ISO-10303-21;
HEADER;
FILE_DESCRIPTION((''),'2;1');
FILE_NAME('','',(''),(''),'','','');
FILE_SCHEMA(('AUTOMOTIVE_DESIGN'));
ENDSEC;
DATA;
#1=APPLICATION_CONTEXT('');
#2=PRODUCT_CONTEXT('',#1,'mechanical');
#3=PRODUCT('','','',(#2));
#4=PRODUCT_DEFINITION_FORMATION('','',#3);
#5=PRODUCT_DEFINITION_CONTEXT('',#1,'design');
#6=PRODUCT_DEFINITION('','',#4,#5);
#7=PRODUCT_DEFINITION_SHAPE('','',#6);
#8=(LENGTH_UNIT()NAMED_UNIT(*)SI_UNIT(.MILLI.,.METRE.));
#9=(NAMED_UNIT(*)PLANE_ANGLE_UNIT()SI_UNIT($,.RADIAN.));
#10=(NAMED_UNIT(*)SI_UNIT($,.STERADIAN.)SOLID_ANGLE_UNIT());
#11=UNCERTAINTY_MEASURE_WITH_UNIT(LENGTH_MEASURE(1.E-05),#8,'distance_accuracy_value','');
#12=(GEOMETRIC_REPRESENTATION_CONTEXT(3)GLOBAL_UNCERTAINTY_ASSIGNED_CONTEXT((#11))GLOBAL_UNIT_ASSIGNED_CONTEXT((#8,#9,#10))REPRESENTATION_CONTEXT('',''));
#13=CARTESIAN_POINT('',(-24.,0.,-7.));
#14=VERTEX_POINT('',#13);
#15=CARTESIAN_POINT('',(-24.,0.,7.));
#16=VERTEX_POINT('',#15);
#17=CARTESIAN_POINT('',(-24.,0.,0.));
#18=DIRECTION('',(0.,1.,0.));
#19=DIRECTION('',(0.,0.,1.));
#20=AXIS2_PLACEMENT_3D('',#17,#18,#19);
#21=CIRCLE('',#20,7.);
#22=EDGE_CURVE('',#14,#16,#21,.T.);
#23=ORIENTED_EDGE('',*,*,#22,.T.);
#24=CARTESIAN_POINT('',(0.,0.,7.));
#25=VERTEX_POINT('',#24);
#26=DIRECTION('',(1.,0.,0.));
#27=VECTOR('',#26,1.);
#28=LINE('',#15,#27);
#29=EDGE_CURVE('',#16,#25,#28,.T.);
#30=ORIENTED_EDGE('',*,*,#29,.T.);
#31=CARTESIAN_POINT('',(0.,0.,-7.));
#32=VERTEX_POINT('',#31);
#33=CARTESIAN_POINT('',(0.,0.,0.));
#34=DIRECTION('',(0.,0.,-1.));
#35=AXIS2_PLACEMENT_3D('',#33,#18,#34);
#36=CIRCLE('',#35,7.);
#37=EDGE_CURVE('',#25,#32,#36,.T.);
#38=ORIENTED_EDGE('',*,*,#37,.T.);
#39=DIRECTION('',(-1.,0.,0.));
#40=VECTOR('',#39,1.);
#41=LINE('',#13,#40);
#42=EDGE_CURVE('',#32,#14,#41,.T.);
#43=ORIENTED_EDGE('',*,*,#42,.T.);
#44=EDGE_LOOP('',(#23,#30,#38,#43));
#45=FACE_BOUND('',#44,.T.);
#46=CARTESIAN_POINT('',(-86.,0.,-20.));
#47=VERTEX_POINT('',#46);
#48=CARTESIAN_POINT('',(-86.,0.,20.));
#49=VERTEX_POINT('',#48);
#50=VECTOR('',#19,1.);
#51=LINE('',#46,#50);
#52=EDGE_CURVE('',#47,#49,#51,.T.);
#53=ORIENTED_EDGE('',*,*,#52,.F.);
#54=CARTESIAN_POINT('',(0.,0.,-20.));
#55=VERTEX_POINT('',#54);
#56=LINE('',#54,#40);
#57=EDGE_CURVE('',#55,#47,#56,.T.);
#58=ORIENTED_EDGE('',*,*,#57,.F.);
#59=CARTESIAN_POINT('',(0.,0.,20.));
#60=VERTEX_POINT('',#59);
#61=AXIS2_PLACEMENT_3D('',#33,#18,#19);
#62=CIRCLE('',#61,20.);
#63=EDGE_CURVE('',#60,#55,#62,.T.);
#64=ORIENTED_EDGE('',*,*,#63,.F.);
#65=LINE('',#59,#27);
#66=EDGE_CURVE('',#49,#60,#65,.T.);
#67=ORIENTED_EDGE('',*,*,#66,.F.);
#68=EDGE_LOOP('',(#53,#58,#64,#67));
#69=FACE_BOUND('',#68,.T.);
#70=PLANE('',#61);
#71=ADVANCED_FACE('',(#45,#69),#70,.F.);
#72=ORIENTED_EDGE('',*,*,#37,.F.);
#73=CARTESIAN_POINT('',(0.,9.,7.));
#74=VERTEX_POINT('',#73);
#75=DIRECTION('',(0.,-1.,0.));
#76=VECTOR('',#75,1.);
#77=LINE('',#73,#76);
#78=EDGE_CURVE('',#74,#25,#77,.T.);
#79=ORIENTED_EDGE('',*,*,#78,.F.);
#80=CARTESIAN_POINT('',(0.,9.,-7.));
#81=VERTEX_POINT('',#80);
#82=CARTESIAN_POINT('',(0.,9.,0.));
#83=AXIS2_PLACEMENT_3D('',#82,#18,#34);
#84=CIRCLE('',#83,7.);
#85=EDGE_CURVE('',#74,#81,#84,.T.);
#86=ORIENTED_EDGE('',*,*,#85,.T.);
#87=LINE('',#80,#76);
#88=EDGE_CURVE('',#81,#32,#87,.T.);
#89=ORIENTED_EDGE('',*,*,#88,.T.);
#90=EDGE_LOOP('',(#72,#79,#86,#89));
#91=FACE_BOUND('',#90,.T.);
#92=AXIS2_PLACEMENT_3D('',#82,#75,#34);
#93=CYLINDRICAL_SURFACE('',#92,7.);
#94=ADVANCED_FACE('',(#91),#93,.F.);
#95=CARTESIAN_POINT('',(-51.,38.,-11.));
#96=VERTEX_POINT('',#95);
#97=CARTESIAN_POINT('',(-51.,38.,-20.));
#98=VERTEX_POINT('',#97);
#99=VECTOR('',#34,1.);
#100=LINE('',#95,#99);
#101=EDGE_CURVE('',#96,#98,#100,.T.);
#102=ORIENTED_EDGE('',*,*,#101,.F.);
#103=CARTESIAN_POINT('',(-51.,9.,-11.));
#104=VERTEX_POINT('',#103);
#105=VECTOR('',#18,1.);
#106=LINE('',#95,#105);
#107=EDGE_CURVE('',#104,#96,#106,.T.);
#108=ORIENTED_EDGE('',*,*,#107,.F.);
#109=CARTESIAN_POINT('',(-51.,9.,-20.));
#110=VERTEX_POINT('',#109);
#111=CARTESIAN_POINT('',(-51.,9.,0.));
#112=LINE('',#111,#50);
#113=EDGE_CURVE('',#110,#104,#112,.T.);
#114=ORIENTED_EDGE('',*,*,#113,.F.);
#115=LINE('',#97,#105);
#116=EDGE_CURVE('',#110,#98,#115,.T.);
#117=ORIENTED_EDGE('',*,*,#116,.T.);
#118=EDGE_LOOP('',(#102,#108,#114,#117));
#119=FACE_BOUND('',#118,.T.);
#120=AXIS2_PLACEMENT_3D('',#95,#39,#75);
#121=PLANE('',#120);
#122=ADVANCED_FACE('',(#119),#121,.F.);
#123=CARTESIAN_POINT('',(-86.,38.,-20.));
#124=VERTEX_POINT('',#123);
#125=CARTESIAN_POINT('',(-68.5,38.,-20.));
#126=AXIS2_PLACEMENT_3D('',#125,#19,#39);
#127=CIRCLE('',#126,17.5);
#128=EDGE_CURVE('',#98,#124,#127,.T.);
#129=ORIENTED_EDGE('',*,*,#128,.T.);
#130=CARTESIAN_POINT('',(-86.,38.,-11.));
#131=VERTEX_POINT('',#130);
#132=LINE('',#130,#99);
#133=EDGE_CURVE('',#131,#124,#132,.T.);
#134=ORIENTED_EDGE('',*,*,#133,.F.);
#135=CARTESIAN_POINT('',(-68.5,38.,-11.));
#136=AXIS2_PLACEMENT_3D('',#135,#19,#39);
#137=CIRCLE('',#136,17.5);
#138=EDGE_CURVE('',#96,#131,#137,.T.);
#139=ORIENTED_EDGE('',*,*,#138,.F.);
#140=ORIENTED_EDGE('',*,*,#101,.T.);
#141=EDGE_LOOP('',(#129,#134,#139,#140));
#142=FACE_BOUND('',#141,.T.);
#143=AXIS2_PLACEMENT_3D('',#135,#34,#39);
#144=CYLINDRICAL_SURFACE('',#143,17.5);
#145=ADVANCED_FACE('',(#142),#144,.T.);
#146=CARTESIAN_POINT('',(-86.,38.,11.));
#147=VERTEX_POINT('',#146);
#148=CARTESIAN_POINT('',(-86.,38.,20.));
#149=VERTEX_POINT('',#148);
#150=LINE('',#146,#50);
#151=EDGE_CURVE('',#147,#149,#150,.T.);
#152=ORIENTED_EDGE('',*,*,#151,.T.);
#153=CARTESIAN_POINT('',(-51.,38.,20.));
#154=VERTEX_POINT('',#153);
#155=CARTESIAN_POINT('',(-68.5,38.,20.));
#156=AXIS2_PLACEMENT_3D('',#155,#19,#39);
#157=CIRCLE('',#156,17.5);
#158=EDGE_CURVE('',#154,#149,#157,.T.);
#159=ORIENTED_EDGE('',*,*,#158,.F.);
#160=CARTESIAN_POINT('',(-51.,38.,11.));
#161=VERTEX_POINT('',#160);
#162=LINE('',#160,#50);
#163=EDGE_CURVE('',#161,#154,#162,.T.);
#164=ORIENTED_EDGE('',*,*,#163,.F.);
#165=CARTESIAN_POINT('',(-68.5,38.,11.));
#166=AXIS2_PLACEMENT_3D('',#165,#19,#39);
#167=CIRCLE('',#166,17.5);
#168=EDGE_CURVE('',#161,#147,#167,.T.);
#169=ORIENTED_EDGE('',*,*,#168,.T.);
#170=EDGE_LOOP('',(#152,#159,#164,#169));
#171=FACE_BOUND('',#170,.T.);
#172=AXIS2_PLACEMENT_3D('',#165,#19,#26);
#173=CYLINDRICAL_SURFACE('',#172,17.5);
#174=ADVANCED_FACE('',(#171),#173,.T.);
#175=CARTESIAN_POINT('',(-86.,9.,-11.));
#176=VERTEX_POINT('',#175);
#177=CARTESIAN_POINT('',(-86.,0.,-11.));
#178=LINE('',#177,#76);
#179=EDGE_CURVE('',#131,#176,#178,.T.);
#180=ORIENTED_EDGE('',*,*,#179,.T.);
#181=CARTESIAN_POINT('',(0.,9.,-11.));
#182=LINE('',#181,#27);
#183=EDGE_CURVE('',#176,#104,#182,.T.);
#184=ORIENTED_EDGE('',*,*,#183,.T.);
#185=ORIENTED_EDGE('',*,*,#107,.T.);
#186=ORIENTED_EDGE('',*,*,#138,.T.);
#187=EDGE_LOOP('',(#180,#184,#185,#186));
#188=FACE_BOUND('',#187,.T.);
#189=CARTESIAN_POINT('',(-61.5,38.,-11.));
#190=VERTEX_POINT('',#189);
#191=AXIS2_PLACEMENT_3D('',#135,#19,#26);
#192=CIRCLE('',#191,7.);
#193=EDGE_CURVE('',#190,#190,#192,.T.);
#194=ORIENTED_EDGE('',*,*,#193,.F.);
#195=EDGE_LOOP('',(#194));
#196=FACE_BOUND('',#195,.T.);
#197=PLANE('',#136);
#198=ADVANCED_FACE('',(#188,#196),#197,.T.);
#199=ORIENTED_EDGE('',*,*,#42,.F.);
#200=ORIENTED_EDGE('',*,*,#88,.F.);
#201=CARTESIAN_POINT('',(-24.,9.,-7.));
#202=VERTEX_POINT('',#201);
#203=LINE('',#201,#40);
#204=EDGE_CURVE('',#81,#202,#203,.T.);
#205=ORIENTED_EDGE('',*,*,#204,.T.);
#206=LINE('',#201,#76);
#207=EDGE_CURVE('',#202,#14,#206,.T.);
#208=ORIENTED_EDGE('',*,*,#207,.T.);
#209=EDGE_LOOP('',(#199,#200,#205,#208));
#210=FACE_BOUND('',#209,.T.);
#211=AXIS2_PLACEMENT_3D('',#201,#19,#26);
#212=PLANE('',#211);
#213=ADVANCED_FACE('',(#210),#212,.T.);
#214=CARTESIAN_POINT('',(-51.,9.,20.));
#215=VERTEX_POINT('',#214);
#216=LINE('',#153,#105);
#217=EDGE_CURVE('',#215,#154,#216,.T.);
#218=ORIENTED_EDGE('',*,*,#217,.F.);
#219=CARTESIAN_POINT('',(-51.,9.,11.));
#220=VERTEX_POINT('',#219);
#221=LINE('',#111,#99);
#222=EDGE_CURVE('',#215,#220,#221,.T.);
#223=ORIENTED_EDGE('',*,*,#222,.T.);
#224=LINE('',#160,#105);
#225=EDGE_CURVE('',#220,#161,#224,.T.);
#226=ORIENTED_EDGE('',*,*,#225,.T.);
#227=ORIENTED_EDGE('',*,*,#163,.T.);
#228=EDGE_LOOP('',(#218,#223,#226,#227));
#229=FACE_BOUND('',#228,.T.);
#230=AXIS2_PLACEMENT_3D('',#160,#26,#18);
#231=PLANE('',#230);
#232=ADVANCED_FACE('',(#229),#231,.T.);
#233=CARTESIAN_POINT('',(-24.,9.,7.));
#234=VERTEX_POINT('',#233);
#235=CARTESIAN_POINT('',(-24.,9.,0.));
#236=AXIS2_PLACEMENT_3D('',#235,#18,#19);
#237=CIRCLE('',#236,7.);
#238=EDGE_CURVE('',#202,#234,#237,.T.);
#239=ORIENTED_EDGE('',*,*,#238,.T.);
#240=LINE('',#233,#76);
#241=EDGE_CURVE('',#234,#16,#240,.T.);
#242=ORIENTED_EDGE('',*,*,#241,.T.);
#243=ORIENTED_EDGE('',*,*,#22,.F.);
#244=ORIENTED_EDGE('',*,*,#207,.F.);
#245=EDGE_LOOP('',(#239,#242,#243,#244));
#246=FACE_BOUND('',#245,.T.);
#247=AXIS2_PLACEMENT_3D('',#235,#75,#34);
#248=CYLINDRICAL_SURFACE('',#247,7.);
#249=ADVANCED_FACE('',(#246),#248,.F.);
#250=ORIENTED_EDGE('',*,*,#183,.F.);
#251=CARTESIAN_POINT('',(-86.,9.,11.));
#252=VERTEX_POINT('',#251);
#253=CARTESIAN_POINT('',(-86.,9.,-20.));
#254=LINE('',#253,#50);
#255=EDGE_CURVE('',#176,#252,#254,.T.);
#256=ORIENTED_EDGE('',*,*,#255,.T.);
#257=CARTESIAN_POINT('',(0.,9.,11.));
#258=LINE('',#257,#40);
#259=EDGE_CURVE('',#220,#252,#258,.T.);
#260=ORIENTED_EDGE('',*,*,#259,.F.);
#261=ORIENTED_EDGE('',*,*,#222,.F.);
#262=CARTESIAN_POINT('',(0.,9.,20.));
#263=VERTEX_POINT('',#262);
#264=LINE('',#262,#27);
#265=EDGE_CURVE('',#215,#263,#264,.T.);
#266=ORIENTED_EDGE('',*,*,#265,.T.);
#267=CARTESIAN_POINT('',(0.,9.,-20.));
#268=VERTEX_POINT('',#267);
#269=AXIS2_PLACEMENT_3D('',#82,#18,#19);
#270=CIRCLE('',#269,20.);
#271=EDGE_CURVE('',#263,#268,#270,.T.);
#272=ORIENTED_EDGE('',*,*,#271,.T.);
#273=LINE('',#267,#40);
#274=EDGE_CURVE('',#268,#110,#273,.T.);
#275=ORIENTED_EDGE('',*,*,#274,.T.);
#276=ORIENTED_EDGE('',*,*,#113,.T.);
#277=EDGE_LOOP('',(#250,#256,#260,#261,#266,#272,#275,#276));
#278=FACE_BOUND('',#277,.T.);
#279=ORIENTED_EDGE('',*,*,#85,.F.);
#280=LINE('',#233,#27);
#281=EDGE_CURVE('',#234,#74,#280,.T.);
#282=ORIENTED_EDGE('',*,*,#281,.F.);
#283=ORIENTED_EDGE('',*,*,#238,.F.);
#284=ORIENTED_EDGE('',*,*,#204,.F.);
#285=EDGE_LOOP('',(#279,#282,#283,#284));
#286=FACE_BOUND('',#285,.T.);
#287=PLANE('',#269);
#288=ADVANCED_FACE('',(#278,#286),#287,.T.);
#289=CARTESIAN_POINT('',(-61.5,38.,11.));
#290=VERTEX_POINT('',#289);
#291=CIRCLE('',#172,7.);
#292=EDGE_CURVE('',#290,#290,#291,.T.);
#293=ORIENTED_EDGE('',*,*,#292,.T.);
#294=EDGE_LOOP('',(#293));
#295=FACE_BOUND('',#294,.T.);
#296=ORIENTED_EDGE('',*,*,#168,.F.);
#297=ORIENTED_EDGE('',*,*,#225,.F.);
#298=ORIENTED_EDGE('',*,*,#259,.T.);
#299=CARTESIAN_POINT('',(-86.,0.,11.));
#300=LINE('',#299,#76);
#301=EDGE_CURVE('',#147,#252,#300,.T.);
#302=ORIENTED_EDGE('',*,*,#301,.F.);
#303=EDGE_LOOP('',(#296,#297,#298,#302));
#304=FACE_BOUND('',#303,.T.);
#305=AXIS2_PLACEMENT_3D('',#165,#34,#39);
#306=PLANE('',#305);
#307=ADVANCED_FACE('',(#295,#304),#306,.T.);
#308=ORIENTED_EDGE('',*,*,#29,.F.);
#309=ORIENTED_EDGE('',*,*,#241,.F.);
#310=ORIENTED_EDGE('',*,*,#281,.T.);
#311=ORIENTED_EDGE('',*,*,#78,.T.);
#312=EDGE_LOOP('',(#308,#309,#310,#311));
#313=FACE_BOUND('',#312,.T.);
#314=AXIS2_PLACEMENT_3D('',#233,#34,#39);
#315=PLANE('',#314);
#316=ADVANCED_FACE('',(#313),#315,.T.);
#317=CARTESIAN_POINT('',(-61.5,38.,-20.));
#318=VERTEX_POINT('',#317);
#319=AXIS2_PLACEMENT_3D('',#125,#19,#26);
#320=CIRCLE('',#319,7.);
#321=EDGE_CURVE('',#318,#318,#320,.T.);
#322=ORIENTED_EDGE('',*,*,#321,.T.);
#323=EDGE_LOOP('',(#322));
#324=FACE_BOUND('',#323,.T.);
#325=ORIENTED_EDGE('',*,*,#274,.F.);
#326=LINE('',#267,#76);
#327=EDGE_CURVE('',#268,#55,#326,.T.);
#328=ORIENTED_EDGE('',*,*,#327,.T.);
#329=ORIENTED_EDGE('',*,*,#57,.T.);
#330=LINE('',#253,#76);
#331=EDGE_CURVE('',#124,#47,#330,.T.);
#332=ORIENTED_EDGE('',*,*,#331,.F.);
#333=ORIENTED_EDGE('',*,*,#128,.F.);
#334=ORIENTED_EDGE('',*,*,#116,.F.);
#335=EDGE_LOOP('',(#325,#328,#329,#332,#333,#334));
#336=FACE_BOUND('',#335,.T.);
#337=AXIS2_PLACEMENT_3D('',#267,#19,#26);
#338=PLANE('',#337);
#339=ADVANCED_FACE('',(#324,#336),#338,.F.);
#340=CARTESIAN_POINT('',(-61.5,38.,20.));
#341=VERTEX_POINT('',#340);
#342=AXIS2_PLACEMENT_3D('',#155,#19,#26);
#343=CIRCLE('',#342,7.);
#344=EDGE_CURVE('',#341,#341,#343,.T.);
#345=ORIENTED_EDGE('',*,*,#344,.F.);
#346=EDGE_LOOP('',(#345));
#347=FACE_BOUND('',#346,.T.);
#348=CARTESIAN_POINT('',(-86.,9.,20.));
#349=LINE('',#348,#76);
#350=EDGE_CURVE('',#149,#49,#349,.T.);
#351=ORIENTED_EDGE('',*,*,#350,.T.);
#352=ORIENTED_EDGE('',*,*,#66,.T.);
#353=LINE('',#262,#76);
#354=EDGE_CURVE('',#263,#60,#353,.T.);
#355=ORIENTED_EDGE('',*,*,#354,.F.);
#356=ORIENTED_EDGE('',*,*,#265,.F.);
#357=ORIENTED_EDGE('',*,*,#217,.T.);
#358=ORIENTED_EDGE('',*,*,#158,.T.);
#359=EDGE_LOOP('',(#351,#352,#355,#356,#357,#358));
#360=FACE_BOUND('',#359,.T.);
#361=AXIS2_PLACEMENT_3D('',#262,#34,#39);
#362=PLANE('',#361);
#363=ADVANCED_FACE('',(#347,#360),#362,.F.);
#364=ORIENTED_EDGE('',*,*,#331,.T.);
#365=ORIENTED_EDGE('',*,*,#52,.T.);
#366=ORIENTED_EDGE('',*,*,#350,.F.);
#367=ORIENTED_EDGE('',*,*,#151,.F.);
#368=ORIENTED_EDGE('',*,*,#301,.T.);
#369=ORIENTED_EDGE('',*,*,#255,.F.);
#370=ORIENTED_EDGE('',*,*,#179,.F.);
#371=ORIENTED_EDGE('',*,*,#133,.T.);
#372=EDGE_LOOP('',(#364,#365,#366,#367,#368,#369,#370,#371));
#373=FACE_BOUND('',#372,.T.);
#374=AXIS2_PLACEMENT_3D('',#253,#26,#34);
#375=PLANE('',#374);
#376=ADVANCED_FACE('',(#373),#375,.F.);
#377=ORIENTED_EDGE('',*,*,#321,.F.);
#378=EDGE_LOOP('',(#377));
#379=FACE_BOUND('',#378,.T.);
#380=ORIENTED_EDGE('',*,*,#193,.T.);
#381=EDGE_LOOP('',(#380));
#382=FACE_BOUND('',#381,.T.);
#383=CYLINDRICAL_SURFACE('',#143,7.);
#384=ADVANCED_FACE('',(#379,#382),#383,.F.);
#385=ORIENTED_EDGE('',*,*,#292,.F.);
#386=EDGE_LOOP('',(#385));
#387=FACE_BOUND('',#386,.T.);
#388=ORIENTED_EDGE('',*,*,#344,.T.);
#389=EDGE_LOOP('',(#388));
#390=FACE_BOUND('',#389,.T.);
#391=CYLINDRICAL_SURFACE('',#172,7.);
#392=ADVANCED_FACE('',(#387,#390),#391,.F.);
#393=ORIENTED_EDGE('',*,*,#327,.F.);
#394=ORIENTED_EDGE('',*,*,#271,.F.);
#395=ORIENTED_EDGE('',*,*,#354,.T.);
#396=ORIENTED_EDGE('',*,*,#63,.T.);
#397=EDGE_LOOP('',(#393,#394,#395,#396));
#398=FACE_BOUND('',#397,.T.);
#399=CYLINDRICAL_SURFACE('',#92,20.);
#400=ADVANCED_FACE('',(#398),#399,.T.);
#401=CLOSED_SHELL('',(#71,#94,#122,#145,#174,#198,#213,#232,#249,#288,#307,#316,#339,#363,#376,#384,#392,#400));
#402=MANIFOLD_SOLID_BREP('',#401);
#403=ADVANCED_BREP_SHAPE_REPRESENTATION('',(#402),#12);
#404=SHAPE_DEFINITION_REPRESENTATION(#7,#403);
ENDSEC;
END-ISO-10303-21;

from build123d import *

# Parameters (mm, degrees)
BOSS_EXTRUDE1_DEPTH = 9
SKETCH4_R           = 7
BOSS_EXTRUDE2_DEPTH = 9


with BuildPart() as part:
    # Sketch2 → Boss-Extrude1 (new body)
    with BuildSketch(Plane(origin=(0, 0, 0), x_dir=(1, 0, 0), z_dir=(0, 1, 0))):
        with BuildLine():
            Line((0, -20), (-86, -20))
            Line((-86, -20), (-86, 20))
            Line((-86, 20), (0, 20))
            ThreePointArc((0, 20), (20, 0), (0, -20))
        make_face()
        with BuildLine():
            Line((-24, 7), (0, 7))
            ThreePointArc((0, 7), (7, 0), (0, -7))
            Line((0, -7), (-24, -7))
            ThreePointArc((-24, -7), (-31, 0), (-24, 7))
        make_face(mode=Mode.SUBTRACT)
    extrude(amount=BOSS_EXTRUDE1_DEPTH)

    # Sketch4 → Boss-Extrude2 (add)
    with BuildSketch(Plane.XY.offset(20)):
        with BuildLine():
            Line((-86, 0), (-86, 38))
            ThreePointArc((-86, 38), (-68.5, 55.5), (-51, 38))
            Line((-51, 38), (-51, 0))
            Line((-51, 0), (-86, 0))
        make_face()
        with Locations((-68.5, 38)):
            Circle(SKETCH4_R, mode=Mode.SUBTRACT)
    boss_extrude2 = extrude(amount=-BOSS_EXTRUDE2_DEPTH)

    # Mirror1: Boss-Extrude2 across plane
    add(boss_extrude2.mirror(Plane.XY))


solid = part.part
